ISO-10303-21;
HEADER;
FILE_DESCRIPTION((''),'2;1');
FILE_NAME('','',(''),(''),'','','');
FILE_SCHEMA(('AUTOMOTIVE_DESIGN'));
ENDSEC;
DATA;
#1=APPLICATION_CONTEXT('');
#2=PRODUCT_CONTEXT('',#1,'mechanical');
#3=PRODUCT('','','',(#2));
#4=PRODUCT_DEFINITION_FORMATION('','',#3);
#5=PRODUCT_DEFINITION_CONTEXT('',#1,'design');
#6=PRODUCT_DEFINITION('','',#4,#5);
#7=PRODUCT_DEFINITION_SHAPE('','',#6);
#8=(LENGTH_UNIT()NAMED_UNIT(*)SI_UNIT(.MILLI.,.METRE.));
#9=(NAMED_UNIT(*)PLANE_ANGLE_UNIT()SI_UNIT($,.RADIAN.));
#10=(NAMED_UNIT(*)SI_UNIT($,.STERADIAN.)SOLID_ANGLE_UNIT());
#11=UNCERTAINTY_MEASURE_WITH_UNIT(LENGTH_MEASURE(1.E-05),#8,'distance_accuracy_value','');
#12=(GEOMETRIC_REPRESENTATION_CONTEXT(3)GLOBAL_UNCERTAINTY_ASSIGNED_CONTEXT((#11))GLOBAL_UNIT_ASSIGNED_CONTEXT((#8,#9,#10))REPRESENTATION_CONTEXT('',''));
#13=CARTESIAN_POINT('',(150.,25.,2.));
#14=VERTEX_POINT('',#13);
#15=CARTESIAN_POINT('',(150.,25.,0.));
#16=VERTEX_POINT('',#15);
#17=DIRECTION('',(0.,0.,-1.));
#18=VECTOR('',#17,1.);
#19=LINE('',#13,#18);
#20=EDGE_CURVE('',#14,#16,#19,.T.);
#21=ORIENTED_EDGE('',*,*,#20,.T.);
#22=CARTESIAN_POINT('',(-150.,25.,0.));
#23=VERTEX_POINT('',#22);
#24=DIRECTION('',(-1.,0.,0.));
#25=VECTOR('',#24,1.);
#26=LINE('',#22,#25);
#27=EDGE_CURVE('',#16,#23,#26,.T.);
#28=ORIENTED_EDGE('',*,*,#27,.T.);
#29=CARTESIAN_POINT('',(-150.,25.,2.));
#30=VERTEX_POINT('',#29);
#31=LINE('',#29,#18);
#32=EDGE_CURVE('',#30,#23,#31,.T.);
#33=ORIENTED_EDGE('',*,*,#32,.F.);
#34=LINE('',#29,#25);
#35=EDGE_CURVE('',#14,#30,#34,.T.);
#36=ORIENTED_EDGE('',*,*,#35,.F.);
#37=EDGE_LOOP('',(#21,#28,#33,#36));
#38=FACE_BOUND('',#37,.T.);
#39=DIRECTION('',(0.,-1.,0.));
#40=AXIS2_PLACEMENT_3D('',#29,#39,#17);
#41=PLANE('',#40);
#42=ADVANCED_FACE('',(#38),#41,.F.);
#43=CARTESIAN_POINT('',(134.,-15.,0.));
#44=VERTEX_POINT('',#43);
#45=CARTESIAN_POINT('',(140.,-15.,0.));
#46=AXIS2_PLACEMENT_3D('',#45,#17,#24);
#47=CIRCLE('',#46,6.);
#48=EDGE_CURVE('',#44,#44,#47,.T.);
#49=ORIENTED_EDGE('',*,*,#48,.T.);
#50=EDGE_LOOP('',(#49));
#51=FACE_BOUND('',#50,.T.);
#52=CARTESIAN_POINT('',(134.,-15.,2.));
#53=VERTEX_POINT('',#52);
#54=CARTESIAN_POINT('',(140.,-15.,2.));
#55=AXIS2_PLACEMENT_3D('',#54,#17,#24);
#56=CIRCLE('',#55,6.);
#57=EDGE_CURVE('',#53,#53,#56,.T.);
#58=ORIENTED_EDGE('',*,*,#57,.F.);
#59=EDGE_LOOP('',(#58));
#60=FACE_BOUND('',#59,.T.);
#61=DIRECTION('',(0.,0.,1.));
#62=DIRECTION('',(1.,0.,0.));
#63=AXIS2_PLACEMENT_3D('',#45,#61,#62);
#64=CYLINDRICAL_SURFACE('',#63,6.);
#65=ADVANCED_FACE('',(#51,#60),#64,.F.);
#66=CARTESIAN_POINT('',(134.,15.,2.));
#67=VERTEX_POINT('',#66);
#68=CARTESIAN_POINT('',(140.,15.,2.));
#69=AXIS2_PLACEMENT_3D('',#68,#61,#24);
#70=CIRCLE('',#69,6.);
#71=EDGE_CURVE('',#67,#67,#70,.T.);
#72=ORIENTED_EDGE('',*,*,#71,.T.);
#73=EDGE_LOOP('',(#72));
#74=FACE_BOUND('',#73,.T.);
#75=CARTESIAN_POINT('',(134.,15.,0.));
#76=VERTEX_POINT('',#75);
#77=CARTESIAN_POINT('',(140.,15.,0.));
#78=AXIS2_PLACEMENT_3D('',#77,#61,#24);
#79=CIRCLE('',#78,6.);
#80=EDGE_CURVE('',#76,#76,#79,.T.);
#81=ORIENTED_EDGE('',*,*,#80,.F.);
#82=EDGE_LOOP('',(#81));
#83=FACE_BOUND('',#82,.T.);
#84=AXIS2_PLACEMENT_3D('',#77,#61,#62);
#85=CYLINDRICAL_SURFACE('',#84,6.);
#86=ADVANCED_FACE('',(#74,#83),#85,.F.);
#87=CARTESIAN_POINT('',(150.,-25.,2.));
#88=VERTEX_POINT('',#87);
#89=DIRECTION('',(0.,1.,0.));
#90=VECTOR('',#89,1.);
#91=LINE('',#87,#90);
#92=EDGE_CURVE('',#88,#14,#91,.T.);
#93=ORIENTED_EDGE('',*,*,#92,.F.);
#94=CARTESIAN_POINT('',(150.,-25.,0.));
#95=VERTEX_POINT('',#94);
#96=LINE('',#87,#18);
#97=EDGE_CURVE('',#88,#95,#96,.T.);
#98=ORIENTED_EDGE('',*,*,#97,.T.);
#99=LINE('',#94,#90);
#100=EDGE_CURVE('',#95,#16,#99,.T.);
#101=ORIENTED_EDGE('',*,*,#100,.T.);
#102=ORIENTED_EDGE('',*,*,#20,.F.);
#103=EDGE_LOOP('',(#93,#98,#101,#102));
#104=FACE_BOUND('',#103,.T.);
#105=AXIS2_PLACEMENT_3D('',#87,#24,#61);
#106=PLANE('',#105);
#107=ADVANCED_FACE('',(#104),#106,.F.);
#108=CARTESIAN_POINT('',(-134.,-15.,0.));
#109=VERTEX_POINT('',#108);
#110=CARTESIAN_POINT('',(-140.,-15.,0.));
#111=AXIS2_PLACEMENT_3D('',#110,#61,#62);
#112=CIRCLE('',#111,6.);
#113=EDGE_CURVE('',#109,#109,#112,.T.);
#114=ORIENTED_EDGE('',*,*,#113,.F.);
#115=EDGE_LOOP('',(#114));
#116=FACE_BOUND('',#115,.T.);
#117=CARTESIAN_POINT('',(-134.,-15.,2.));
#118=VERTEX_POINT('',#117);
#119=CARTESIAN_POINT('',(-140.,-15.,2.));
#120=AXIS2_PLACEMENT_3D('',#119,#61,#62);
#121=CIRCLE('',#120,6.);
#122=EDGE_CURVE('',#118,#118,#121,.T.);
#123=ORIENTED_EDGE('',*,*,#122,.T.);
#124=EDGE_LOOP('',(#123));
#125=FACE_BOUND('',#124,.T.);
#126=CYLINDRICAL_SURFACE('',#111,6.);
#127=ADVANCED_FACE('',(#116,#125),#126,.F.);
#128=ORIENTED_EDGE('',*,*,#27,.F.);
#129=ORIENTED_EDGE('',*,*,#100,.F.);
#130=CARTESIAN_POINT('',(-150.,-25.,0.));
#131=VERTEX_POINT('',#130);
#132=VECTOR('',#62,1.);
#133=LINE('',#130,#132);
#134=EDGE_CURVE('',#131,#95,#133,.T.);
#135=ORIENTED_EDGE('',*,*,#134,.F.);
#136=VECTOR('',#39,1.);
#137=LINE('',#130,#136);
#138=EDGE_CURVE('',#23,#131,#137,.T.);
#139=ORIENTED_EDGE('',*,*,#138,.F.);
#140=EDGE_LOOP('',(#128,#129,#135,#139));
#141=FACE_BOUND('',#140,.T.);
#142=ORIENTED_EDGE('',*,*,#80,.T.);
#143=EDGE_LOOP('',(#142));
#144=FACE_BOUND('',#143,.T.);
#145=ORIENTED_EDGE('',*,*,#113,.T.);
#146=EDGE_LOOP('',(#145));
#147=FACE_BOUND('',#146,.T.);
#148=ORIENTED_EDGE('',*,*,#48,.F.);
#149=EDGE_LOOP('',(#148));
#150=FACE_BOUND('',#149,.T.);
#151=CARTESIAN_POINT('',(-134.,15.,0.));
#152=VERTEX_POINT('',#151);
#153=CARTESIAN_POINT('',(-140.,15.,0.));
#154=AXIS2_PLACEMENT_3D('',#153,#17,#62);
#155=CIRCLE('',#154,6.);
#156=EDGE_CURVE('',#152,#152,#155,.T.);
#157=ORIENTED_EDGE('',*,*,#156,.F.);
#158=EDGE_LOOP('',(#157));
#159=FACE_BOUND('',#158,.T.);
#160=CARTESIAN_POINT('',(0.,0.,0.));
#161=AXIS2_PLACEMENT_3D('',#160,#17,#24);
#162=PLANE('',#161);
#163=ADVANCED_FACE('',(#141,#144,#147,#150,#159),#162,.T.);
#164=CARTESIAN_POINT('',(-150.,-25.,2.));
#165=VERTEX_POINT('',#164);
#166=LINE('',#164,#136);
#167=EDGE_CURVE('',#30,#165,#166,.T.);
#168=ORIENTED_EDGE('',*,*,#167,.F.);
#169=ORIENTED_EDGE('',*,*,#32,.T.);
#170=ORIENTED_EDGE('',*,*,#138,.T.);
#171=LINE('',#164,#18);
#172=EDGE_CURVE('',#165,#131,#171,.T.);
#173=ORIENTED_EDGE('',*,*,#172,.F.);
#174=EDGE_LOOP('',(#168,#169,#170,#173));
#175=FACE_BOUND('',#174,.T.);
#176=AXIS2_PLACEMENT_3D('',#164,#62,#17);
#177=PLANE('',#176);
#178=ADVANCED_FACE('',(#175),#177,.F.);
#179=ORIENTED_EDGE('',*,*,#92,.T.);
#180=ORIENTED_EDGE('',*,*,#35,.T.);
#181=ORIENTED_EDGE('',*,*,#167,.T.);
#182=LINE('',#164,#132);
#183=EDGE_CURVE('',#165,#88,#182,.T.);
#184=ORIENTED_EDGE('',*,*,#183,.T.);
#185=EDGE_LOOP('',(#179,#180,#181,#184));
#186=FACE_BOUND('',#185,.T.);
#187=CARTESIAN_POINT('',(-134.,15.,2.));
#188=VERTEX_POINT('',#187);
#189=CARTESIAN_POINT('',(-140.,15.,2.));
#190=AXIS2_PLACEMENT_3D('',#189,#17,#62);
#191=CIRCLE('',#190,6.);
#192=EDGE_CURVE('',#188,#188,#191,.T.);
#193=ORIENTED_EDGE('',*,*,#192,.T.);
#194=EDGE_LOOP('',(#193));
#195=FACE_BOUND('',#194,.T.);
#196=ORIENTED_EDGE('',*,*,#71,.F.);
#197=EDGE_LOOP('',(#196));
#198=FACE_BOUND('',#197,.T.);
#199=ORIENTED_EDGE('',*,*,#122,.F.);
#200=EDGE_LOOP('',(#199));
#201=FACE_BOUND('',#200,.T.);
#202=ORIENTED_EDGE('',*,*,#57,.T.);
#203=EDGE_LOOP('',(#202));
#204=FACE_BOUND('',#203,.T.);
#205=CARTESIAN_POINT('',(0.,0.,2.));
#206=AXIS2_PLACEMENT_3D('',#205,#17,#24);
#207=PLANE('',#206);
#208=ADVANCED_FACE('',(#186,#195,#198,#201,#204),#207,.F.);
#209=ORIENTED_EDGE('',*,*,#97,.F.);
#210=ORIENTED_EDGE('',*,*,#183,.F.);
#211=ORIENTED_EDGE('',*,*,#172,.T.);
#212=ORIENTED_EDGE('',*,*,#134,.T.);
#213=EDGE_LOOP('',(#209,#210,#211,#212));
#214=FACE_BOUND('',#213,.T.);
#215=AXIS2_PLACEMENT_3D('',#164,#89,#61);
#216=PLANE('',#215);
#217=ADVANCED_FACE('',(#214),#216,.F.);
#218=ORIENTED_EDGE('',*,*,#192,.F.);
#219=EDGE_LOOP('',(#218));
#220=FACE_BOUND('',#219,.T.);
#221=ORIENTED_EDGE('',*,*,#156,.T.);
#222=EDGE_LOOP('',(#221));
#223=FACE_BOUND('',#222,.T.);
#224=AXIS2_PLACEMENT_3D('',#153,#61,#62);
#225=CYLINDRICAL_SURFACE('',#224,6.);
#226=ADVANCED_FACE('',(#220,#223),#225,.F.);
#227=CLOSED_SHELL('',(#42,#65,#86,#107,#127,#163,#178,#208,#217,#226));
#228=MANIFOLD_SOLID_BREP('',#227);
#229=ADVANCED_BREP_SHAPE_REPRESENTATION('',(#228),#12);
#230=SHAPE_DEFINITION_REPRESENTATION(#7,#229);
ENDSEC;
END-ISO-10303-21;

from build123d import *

# Parameters (mm, degrees)
CROQUIS1_W                = 300
CROQUIS1_H                = 50
SALIENTE_EXTRUIR1_DEPTH   = 2
CROQUIS2_R                = 6
CORTAR_EXTRUIR1_DEPTH     = 153.082214608
SIMETR_A2_COPY_1_SKETCH_R = 6
SIMETR_A2_COPY_1_DEPTH    = 153.082214608


with BuildPart() as part:
    # Croquis1 → Saliente-Extruir1 (new body)
    with BuildSketch(Plane.XY):
        Rectangle(CROQUIS1_W, CROQUIS1_H)
    extrude(amount=SALIENTE_EXTRUIR1_DEPTH)

    # Croquis2 → Cortar-Extruir1 (cut, through all)
    with BuildSketch(Plane.XY.offset(2)):
        with Locations((-140, -15)):
            Circle(CROQUIS2_R)
    cortar_extruir1 = extrude(amount=-CORTAR_EXTRUIR1_DEPTH, mode=Mode.SUBTRACT)

    # Simetría1: Cortar-Extruir1 across plane
    add(cortar_extruir1.mirror(Plane.ZX), mode=Mode.SUBTRACT)

    # Simetría2: Cortar-Extruir1 across plane
    add(cortar_extruir1.mirror(Plane(origin=(0, 0, 0), x_dir=(0, 0, 1), z_dir=(1, 0, 0))), mode=Mode.SUBTRACT)

    # Simetría2 copy 1 sketch → Simetría2 copy 1 (cut, through all)
    with BuildSketch(Plane(origin=(0, 0, 2), x_dir=(-1, 0, 0), z_dir=(0, 0, 1))):
        with Locations((-140, -15)):
            Circle(SIMETR_A2_COPY_1_SKETCH_R)
    extrude(amount=-SIMETR_A2_COPY_1_DEPTH, mode=Mode.SUBTRACT)


solid = part.part
